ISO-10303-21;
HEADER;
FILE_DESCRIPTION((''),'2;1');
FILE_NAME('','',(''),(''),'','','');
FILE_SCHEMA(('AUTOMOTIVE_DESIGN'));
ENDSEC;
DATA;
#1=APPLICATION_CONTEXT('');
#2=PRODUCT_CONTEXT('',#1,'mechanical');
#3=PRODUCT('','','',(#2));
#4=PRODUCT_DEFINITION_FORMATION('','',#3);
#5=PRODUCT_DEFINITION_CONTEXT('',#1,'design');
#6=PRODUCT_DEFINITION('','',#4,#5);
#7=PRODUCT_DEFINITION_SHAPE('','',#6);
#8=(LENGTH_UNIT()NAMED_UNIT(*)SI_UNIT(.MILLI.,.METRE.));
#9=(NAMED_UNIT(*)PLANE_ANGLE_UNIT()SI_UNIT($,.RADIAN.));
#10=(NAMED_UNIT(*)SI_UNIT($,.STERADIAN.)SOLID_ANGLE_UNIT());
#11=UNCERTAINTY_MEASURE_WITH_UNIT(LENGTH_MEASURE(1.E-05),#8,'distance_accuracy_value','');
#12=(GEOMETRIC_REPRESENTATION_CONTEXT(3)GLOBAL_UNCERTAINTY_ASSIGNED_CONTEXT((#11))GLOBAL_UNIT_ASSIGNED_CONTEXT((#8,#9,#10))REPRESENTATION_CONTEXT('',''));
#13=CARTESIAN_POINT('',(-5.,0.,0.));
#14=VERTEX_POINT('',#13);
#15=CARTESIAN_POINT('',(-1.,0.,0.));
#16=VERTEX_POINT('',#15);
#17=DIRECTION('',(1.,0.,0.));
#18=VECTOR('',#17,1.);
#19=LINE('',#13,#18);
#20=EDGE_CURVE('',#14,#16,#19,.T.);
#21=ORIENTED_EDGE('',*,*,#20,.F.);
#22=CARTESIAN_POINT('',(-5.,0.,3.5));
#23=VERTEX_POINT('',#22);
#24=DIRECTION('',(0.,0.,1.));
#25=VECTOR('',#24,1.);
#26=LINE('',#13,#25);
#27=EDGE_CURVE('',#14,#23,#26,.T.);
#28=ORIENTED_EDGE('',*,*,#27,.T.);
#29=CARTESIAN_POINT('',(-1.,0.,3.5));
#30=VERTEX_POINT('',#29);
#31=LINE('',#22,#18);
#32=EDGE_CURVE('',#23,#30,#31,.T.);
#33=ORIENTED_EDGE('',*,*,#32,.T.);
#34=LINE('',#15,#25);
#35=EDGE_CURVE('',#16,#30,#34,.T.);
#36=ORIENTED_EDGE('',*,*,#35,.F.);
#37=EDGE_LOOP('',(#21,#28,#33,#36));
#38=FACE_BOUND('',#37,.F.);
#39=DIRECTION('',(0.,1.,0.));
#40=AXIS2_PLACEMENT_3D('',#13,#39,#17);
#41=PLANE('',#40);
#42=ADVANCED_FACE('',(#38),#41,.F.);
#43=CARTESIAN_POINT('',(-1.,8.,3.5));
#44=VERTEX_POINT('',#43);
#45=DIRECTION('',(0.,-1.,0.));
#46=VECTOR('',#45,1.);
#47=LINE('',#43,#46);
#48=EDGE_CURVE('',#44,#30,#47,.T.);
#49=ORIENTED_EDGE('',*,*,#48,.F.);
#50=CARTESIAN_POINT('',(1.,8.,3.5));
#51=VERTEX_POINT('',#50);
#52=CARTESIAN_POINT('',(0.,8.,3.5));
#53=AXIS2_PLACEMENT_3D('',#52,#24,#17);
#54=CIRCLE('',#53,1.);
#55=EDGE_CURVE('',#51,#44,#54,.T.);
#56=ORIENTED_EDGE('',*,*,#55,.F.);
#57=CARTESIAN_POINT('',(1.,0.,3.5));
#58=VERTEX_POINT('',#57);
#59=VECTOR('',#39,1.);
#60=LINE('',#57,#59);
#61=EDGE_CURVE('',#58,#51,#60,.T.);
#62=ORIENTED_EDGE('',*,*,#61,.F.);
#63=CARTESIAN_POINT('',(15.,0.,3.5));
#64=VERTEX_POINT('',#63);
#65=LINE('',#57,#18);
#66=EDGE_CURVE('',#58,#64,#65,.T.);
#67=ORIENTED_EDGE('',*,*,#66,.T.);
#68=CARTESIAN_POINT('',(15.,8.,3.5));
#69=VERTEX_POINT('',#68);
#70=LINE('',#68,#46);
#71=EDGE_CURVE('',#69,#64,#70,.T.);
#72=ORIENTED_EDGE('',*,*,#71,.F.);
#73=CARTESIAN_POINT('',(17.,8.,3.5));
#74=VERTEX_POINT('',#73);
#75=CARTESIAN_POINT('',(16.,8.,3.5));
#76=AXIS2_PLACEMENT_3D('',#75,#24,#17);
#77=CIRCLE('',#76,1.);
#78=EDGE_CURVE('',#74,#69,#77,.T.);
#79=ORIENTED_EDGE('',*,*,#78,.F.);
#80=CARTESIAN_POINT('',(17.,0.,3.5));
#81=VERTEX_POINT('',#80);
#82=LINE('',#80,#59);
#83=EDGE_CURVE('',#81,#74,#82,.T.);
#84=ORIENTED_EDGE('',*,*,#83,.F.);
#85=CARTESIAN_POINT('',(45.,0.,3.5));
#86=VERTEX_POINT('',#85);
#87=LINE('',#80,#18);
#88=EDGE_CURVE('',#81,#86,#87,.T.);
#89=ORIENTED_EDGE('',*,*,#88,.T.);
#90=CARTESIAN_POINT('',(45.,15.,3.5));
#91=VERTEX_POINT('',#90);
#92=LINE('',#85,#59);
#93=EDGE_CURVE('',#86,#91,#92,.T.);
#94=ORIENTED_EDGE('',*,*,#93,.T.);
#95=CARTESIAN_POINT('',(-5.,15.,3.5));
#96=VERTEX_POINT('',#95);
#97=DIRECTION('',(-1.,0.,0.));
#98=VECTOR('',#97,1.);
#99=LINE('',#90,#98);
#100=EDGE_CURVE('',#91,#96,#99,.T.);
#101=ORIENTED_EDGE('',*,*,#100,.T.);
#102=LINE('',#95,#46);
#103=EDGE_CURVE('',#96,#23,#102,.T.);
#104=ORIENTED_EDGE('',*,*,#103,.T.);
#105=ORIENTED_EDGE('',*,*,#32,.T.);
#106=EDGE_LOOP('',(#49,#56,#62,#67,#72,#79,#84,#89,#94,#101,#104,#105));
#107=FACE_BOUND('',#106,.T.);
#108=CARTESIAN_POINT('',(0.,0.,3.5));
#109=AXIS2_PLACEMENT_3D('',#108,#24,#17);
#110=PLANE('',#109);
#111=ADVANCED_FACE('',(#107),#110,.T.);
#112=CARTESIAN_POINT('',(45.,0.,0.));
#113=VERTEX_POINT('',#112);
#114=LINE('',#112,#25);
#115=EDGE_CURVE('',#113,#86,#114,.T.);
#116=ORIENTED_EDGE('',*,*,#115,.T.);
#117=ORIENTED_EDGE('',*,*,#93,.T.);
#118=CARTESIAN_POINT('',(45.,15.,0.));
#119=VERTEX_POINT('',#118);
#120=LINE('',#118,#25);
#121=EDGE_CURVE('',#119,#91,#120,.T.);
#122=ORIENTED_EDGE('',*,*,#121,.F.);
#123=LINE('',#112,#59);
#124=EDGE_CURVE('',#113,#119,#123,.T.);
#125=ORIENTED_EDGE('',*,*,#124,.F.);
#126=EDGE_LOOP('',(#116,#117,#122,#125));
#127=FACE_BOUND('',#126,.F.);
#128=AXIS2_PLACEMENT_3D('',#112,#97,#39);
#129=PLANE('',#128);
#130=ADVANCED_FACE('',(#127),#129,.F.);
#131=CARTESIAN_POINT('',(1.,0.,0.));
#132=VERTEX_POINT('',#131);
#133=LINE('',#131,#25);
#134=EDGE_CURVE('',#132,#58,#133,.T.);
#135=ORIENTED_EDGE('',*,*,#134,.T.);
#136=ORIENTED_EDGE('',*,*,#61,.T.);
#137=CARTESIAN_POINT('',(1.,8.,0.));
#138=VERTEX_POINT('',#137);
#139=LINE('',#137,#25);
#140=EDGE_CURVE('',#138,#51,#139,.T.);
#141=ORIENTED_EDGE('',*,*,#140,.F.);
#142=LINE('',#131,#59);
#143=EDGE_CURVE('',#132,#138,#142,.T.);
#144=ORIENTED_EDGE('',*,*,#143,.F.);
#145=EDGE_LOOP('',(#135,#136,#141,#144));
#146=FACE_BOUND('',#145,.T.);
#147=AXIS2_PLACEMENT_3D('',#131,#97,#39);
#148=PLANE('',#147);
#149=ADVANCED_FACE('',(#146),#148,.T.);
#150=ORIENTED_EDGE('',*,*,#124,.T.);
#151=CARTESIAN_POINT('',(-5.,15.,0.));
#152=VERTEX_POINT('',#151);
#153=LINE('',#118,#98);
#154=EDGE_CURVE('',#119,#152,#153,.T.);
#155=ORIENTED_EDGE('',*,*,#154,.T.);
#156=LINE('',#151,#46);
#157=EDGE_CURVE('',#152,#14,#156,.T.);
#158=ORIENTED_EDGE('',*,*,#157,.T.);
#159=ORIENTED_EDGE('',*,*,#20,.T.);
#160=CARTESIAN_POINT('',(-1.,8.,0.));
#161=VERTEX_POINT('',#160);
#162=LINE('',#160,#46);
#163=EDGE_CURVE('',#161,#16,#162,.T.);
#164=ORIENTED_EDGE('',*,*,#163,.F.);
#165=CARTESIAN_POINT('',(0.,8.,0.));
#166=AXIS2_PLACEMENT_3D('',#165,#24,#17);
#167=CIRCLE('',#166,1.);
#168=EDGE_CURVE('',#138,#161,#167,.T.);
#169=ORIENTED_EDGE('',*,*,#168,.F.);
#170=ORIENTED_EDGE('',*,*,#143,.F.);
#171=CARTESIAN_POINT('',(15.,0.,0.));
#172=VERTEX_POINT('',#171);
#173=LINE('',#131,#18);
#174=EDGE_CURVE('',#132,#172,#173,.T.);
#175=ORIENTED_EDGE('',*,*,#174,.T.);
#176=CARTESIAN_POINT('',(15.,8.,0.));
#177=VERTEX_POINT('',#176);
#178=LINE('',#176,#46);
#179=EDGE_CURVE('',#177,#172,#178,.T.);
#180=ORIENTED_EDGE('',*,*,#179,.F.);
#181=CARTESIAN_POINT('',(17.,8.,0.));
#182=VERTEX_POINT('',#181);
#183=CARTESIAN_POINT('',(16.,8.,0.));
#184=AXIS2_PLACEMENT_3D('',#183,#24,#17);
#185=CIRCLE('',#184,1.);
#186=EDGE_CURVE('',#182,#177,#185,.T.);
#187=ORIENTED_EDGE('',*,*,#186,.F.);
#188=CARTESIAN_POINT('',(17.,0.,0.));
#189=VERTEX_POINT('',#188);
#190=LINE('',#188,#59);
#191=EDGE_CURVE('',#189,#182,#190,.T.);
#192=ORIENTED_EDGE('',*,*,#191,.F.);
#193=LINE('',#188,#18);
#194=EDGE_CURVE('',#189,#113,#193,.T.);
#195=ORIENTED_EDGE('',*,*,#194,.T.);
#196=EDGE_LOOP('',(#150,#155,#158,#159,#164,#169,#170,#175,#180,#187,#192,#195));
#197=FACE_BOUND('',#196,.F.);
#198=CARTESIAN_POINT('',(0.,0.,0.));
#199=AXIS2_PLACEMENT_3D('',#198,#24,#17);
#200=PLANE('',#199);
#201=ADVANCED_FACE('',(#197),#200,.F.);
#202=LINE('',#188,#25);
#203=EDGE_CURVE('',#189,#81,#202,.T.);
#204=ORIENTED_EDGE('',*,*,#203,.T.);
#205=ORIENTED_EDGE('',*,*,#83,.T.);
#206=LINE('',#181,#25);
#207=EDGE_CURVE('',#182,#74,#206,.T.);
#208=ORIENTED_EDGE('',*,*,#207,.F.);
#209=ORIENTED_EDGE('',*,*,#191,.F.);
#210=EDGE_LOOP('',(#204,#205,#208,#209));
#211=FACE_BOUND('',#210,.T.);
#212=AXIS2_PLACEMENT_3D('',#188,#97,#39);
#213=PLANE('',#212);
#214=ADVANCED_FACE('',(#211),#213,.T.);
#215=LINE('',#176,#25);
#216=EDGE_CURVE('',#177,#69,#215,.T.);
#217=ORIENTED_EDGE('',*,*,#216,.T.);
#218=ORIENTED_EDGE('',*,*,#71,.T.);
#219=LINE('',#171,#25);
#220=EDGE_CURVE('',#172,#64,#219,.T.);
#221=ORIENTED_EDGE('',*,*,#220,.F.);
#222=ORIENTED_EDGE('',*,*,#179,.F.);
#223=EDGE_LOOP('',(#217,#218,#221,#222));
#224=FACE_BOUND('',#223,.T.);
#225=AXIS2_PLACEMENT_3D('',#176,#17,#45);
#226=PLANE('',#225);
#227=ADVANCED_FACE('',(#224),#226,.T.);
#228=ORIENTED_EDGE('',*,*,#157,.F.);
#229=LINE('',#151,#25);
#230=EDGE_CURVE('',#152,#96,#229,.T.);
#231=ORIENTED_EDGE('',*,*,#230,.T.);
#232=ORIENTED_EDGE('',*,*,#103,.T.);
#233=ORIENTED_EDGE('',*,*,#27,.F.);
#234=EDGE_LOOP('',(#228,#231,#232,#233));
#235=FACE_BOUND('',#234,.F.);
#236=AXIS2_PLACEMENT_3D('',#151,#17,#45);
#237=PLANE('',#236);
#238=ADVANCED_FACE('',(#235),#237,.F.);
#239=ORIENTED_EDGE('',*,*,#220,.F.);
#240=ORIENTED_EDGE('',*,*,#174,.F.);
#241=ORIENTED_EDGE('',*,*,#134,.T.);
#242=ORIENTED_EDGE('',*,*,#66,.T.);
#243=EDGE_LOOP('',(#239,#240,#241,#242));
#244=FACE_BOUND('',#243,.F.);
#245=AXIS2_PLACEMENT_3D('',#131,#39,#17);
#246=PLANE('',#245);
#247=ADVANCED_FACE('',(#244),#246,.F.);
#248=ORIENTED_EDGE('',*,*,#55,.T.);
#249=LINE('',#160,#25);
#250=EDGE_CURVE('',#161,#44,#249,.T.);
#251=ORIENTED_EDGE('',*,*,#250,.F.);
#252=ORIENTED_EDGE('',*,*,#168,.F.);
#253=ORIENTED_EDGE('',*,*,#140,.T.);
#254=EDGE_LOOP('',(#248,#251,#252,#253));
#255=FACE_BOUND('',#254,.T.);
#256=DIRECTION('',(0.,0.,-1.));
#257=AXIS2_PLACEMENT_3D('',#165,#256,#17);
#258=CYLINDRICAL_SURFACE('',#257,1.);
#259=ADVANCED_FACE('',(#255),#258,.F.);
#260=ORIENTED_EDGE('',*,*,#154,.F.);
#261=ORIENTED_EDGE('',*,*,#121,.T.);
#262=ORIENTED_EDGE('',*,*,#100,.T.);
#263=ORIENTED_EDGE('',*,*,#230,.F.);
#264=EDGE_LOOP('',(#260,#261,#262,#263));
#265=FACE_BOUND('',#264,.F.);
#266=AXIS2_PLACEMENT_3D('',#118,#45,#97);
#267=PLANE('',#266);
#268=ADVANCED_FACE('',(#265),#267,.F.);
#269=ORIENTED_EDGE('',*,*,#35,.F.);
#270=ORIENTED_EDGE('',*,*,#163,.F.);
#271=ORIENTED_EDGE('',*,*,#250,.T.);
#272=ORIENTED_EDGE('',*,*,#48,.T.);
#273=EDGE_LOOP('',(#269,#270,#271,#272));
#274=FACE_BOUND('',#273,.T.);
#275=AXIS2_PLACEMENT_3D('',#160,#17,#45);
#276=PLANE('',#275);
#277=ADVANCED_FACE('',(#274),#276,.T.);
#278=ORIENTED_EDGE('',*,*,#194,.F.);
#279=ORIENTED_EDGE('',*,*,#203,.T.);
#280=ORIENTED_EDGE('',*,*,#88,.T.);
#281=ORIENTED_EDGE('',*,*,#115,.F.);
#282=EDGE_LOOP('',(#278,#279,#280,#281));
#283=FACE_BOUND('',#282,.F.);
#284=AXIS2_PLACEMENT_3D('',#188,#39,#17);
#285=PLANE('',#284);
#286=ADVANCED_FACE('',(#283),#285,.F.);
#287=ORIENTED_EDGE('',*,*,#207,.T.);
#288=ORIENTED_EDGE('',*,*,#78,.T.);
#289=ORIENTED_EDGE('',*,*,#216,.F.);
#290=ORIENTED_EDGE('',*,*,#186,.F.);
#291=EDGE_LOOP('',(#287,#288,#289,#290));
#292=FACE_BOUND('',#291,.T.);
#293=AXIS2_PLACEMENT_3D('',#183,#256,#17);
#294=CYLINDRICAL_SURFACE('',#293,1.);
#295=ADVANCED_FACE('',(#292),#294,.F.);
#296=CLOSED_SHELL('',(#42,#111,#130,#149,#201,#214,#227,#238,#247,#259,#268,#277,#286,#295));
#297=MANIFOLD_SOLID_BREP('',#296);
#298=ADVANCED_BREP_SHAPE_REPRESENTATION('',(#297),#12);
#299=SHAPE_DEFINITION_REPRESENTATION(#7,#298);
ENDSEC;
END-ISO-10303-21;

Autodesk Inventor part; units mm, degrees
ref_plane "YZ Plane" through (0, 0, 0) normal (1, 0, 0) x (0, 1, 0)
ref_plane "XZ Plane" through (0, 0, 0) normal (0, 1, 0) x (-1, 0, 0)
ref_plane "XY Plane" through (0, 0, 0) normal (0, 0, 1) x (1, 0, 0)
sketch "Sketch1" plane through (0, 0, 0) normal (0, 0, 1) x (1, 0, 0)
  line L0 (45, 15) -> (-5, 15)
  line L1 (-1, 8) -> (-1, 0)
  line L2 (1, 0) -> (1, 8)
  arc A0 (1, 8) -> (-1, 8) centre (0, 8) ccw
  arc A1 (17, 8) -> (15, 8) centre (16, 8) ccw
  line L3 (15, 8) -> (15, 0)
  line L4 (17, 0) -> (17, 8)
  line L5 (2.5, 0) -> (2.5, 0)
  line L6 (22.48, 0) -> (22.48, 0)
  line L7 (-5, 15) -> (-5, 0)
  line L8 (-5, 0) -> (-1, 0)
  line L9 (45, 0) -> (45, 15)
  line L10 (17, 0) -> (45, 0)
  line L11 (1, 0) -> (15, 0)
  point P0 (0, 0)
  point P1 (15, 0)
  dimension "d0" = 50
  dimension "d1" = 15
  dimension "d3" = 2
  dimension "d6" = 0
  dimension "d7" = 16
extrude "Extrusion2" add sketch "Sketch1" along normal blind 3.5
properties part number "C2"
